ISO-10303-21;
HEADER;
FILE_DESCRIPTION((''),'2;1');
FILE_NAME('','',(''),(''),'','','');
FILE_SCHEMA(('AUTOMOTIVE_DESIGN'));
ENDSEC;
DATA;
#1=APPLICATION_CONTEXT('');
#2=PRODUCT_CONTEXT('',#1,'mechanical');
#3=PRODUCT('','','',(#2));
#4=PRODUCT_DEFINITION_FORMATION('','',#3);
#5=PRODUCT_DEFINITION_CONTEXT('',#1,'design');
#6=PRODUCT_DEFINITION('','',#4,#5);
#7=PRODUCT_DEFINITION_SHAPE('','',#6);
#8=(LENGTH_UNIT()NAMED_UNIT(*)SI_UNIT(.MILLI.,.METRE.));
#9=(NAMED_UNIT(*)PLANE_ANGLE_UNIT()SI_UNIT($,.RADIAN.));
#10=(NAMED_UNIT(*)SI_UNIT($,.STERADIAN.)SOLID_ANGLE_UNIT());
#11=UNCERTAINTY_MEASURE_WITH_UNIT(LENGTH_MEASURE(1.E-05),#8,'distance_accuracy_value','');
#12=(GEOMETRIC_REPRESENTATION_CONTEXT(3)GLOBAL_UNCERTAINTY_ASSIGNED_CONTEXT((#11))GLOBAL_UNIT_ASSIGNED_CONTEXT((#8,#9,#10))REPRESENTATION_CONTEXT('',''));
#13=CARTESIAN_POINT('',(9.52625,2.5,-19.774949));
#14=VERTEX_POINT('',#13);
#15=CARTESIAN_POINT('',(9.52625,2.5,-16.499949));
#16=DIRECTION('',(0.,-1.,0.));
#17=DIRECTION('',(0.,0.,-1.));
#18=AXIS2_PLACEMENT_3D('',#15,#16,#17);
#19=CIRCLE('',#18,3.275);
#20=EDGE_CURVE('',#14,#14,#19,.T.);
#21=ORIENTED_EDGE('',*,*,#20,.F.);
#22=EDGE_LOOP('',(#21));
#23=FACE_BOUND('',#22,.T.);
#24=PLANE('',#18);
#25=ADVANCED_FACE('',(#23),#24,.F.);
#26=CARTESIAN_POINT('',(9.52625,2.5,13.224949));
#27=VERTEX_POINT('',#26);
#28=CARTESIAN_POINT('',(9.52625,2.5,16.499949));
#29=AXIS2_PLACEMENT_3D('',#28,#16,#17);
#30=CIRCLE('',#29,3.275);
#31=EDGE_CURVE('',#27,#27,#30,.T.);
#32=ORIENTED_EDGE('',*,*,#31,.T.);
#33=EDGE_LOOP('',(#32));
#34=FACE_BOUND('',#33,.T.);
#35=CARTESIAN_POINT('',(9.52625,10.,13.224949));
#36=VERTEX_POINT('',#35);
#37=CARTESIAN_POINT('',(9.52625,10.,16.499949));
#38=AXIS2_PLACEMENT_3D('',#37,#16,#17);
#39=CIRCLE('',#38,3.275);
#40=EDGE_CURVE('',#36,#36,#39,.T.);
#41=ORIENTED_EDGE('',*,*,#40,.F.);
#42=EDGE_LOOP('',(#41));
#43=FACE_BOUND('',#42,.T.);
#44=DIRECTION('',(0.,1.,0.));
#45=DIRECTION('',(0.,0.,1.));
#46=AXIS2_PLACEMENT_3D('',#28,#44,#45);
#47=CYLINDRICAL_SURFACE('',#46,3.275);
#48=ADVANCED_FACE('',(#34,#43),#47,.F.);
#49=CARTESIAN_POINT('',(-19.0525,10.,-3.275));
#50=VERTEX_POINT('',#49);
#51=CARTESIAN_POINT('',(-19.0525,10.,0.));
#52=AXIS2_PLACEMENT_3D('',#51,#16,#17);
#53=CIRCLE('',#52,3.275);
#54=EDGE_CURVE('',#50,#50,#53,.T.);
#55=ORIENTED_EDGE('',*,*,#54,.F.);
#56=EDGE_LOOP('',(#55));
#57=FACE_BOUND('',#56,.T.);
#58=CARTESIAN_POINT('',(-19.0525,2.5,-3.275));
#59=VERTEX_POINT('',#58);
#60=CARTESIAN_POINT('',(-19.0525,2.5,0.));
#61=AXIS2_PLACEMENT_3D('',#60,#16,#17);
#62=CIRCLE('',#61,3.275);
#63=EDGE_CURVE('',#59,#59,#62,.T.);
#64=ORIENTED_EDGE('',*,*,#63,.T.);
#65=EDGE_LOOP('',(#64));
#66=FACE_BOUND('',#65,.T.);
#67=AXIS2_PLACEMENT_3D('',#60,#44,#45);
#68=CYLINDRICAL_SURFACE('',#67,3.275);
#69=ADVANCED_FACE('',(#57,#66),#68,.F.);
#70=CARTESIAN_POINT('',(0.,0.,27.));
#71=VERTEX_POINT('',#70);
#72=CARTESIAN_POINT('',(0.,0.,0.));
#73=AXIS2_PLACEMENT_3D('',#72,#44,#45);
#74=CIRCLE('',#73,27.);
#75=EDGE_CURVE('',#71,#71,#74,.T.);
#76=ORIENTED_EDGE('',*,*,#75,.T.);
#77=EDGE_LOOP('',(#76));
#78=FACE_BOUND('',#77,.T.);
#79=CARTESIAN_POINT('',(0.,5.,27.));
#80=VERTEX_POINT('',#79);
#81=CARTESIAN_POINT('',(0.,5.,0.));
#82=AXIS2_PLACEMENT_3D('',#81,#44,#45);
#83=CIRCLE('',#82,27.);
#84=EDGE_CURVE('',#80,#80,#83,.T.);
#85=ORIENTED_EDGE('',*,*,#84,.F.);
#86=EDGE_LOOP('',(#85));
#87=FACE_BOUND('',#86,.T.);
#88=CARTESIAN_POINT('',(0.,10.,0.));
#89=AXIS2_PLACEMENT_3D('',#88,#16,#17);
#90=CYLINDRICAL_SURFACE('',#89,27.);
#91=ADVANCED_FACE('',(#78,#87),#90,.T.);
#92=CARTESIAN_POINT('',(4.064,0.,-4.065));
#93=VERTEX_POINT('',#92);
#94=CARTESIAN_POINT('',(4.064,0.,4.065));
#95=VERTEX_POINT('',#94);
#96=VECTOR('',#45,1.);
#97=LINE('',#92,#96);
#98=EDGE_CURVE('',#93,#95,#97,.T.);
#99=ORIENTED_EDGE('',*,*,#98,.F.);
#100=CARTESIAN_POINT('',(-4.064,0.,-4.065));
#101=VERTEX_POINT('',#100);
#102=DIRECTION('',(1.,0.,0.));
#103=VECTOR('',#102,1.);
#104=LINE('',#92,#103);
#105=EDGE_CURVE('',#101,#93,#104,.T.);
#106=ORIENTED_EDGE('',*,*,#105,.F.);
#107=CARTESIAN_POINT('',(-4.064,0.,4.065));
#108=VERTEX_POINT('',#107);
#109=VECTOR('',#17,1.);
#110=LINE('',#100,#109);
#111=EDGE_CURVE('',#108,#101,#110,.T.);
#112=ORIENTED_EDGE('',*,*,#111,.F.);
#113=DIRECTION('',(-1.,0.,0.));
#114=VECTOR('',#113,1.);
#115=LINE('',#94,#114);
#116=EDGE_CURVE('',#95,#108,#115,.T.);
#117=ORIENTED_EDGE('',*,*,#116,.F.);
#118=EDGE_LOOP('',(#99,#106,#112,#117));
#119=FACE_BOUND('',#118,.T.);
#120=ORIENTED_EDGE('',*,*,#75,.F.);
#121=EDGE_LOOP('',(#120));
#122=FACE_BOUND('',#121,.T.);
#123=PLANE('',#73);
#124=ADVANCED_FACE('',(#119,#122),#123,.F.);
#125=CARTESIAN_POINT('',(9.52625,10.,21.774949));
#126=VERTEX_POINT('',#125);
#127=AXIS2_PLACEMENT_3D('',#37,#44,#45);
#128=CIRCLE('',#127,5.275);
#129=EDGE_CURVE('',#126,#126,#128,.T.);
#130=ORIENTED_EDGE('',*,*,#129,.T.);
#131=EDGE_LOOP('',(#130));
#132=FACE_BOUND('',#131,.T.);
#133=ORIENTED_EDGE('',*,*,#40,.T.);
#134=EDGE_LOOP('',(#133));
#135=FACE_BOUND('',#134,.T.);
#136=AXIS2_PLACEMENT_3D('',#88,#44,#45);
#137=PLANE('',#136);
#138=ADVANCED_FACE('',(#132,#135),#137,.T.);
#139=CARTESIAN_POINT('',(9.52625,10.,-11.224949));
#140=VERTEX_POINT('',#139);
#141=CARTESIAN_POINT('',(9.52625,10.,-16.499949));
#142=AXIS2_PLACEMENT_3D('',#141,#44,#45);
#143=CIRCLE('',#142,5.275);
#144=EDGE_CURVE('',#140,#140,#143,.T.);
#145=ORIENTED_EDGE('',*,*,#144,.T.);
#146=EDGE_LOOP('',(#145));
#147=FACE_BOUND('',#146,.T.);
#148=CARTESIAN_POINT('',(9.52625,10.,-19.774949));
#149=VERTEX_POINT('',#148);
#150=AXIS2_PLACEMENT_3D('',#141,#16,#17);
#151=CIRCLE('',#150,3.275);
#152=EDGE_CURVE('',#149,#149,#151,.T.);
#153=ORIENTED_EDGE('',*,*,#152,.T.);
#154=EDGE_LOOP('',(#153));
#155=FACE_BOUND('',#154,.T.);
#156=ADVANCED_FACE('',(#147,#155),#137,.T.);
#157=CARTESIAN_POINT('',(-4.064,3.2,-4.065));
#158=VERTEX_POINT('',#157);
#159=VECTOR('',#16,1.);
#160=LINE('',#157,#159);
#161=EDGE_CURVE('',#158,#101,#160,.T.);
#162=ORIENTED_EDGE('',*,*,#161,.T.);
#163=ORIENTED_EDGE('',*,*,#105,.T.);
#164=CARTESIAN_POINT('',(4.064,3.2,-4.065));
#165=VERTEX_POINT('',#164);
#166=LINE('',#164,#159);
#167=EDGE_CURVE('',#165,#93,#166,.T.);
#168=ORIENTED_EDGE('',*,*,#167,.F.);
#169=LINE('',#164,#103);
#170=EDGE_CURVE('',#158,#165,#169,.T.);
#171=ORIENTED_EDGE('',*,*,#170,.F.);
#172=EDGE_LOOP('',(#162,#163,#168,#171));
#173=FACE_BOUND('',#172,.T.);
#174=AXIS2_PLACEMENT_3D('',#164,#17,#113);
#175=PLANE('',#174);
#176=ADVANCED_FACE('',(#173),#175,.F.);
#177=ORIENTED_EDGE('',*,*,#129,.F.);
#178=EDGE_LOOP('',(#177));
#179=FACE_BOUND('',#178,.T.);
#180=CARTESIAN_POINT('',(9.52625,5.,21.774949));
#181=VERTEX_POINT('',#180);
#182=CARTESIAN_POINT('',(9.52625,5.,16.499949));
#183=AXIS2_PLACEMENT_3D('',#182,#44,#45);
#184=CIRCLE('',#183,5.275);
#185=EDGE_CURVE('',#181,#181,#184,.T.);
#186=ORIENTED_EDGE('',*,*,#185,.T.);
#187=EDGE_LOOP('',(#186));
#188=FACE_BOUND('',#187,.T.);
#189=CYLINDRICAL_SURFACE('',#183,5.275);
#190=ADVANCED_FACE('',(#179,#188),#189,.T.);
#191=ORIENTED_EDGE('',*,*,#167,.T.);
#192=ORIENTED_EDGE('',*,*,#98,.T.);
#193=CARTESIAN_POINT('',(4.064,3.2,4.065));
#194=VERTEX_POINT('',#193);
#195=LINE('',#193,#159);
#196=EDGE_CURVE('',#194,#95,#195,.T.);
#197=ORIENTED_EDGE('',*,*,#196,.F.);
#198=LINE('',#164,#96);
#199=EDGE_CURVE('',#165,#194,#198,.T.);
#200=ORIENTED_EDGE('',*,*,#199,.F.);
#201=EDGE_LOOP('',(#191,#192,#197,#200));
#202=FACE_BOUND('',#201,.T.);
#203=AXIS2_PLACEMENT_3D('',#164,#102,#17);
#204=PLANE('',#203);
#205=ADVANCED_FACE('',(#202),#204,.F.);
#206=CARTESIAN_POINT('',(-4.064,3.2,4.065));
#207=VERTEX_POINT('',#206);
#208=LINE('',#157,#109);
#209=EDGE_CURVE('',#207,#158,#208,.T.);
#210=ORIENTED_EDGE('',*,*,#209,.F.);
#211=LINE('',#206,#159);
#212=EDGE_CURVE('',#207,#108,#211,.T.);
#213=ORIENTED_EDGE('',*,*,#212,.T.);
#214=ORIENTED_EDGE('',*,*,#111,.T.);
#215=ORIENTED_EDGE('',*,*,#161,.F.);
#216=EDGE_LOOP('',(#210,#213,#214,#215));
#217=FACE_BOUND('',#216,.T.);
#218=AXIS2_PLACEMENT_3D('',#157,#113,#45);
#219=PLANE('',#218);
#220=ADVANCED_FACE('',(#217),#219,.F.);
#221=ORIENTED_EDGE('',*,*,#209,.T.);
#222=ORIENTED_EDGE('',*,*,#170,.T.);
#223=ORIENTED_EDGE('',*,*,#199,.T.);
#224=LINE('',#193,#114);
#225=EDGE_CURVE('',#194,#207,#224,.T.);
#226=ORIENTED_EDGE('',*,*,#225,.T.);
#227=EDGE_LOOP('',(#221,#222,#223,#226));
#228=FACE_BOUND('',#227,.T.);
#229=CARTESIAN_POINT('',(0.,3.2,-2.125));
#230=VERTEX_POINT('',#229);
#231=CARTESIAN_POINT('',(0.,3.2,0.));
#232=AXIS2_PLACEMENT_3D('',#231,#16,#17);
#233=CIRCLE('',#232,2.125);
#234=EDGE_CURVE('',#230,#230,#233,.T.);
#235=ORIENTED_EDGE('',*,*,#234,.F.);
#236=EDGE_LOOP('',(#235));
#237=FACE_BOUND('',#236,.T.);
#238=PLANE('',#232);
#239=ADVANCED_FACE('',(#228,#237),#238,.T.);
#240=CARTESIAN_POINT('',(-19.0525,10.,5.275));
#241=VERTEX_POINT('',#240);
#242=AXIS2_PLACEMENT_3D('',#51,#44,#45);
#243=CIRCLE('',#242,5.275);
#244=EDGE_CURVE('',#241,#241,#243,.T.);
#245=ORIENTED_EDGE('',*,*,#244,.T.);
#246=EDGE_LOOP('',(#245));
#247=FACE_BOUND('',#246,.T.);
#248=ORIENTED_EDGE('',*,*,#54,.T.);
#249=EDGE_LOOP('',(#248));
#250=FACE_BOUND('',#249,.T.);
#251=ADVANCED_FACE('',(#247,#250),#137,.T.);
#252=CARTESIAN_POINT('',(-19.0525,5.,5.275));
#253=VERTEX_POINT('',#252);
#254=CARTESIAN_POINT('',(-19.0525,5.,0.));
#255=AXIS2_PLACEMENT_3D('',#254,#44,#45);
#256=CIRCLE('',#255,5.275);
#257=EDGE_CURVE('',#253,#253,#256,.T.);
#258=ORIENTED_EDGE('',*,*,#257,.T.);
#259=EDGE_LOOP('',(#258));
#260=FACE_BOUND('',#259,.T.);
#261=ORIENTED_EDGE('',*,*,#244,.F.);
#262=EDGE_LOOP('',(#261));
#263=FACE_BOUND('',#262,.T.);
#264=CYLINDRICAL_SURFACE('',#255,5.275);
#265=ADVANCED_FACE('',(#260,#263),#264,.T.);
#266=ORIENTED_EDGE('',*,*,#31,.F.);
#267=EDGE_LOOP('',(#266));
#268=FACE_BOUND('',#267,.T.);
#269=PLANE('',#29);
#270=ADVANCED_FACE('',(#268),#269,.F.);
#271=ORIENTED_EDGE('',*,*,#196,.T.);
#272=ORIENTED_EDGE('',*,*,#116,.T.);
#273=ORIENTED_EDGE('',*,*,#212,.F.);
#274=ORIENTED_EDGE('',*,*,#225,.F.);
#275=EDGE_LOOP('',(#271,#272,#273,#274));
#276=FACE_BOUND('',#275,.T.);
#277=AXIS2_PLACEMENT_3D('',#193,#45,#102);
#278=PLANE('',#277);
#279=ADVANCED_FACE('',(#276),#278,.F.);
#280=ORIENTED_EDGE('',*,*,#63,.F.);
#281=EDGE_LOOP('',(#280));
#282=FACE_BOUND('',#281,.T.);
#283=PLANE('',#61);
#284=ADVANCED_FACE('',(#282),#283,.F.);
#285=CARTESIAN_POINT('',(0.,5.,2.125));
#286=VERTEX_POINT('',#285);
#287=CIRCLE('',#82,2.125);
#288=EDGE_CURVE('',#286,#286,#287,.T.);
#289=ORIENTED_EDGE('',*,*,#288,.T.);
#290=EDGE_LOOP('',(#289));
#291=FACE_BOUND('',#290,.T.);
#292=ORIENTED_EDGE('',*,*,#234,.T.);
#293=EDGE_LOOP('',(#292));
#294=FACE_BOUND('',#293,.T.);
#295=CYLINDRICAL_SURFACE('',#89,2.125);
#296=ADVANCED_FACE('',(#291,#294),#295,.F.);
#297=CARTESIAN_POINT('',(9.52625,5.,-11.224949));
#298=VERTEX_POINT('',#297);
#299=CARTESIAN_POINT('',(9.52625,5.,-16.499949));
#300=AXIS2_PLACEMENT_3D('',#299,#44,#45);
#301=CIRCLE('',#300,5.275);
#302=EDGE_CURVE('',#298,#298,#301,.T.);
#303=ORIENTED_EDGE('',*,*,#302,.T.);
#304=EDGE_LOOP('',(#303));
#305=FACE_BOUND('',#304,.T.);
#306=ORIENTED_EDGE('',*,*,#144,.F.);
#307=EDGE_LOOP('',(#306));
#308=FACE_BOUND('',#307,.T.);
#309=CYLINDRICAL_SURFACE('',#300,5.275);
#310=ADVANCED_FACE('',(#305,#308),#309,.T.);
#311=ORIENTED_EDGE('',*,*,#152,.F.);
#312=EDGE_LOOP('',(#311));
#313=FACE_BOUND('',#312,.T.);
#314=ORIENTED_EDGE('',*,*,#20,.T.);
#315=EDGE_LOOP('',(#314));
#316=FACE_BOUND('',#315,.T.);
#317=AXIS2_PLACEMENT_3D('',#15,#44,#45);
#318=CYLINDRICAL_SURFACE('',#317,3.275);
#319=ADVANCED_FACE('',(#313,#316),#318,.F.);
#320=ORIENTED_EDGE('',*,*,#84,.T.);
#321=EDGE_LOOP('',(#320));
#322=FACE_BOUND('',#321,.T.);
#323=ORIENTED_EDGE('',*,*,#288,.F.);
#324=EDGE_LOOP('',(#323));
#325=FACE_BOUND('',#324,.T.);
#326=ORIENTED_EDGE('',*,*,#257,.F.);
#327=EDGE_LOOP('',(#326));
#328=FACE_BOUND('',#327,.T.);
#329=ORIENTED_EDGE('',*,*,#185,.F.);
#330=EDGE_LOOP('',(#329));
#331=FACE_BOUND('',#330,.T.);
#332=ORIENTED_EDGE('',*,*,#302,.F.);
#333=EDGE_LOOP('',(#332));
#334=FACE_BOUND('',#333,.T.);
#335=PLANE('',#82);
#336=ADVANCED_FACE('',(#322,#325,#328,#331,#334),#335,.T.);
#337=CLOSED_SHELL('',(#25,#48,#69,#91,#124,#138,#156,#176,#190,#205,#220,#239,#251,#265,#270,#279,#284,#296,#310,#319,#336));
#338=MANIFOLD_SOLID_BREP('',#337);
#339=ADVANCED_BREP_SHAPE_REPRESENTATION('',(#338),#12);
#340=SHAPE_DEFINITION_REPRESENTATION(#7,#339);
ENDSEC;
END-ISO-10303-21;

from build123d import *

# Parameters (mm, degrees)
SKETCH2_R           = 27
SKETCH2_R_2         = 2.125
BOSS_EXTRUDE2_DEPTH = 10
SKETCH3_R           = 3.275
CUT_EXTRUDE1_DEPTH  = 7.5
CUT_EXTRUDE2_START  = -5
SKETCH4_R           = 27
SKETCH4_R_2         = 5.275
CUT_EXTRUDE2_DEPTH  = 5
SKETCH5_W           = 8.128
SKETCH5_H           = 8.13
CUT_EXTRUDE3_DEPTH  = 3.2


with BuildPart() as part:
    # Sketch2 → Boss-Extrude2 (new body)
    with BuildSketch(Plane(origin=(0, 0, 0), x_dir=(1, 0, 0), z_dir=(0, 1, 0))):
        with Locations(Location((0, 0, 0), (0, 0, 270))):
            Circle(SKETCH2_R)
        with Locations(Location((0, 0, 0), (0, 0, 270))):
            Circle(SKETCH2_R_2, mode=Mode.SUBTRACT)
    extrude(amount=BOSS_EXTRUDE2_DEPTH)

    # Sketch3 → Cut-Extrude1 (cut)
    with BuildSketch(Plane.XZ.offset(-10)):
        with Locations(Location((9.52625, -16.499949006, 0), (0, 0, 270))):
            Circle(SKETCH3_R)
        with Locations(Location((9.52625, 16.499949006, 0), (0, 0, 270))):
            Circle(SKETCH3_R)
        with Locations(Location((-19.0525, 0, 0), (0, 0, 270))):
            Circle(SKETCH3_R)
    extrude(amount=CUT_EXTRUDE1_DEPTH, mode=Mode.SUBTRACT)

    # Sketch4 → Cut-Extrude2 (cut)
    with BuildSketch(Plane(origin=(0, 10, 0), x_dir=(1, 0, 0), z_dir=(0, 1, 0)).offset(CUT_EXTRUDE2_START)):
        with Locations(Location((0, 0, 0), (0, 0, 270))):
            Circle(SKETCH4_R)
        with Locations(Location((-19.0525, 0, 0), (0, 0, 270))):
            Circle(SKETCH4_R_2, mode=Mode.SUBTRACT)
        with Locations(Location((9.52625, -16.499949006, 0), (0, 0, 270))):
            Circle(SKETCH4_R_2, mode=Mode.SUBTRACT)
        with Locations(Location((9.52625, 16.499949006, 0), (0, 0, 270))):
            Circle(SKETCH4_R_2, mode=Mode.SUBTRACT)
    extrude(amount=CUT_EXTRUDE2_DEPTH, mode=Mode.SUBTRACT)

    # Sketch5 → Cut-Extrude3 (cut)
    with BuildSketch(Plane.XZ):
        Rectangle(SKETCH5_W, SKETCH5_H)
    extrude(amount=-CUT_EXTRUDE3_DEPTH, mode=Mode.SUBTRACT)


solid = part.part
